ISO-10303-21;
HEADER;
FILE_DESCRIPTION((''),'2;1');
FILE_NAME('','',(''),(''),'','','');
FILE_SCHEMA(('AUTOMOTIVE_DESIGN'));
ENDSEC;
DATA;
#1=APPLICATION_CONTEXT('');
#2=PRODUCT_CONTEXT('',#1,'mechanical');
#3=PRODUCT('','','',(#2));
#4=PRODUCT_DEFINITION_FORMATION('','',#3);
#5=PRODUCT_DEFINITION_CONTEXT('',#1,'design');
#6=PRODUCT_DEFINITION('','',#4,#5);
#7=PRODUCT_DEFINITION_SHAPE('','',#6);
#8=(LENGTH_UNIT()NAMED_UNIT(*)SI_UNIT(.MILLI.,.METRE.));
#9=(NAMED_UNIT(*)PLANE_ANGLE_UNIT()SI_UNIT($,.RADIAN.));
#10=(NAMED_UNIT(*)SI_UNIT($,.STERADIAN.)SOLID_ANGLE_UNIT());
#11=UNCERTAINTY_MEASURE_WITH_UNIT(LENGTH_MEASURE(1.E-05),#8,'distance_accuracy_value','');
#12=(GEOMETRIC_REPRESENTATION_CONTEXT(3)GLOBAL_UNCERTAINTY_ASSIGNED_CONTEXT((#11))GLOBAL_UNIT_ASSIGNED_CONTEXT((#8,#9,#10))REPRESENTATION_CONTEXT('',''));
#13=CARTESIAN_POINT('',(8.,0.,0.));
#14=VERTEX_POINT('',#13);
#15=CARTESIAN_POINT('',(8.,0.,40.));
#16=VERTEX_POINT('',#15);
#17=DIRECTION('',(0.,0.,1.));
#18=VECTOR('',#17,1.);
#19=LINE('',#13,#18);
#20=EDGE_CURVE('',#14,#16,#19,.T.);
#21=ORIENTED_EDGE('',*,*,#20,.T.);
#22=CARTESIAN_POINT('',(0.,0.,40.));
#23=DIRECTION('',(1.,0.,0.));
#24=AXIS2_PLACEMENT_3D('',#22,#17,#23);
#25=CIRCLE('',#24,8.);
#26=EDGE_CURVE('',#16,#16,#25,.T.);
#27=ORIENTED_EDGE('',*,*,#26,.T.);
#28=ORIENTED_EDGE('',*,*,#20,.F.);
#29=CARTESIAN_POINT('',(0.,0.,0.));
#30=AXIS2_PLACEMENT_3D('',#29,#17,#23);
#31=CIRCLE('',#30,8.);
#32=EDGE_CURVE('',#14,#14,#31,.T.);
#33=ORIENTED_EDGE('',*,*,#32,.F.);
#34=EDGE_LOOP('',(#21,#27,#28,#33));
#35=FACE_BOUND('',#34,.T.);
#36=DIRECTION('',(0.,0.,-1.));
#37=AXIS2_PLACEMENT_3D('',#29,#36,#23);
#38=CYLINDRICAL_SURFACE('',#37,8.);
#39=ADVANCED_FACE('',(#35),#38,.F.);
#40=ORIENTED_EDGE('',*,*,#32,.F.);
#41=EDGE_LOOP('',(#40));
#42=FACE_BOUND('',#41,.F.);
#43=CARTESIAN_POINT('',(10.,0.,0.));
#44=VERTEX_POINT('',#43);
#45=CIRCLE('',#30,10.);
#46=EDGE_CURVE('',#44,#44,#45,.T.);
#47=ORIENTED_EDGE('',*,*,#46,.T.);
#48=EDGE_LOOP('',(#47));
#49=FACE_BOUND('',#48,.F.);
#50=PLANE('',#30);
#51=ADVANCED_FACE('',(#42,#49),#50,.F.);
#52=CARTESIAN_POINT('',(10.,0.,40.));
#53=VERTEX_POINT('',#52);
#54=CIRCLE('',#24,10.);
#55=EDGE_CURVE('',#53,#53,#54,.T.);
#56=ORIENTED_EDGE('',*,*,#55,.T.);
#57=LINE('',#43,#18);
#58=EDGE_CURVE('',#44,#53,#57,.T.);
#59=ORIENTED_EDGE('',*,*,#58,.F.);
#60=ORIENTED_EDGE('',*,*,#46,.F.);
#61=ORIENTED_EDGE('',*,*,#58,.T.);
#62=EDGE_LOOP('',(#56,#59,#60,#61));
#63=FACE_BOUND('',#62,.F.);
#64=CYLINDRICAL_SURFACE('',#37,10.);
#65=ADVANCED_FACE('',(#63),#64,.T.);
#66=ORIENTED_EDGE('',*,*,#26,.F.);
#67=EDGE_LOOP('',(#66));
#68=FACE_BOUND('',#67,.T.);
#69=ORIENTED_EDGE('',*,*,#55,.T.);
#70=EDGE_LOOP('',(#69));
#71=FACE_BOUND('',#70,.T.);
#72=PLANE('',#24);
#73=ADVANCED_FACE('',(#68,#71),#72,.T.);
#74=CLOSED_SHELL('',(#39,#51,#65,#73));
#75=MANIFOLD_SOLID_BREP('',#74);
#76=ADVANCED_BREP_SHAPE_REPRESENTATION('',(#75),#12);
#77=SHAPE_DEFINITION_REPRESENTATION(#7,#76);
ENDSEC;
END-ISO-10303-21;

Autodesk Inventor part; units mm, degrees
ref_plane "YZ Plane" through (0, 0, 0) normal (1, 0, 0) x (0, 1, 0)
ref_plane "XZ Plane" through (0, 0, 0) normal (0, 1, 0) x (-1, 0, 0)
ref_plane "XY Plane" through (0, 0, 0) normal (0, 0, 1) x (1, 0, 0)
sketch "Sketch1" plane through (0, 0, 0) normal (0, 0, 1) x (1, 0, 0)
  circle A0 centre (0, 0) radius 8
  circle A1 centre (0, 0) radius 10
  dimension "d0" = 16
  dimension "d1" = 20
extrude "Extrusion1" add sketch "Sketch1" along normal blind 40
properties part number "pipe-40_flex-clear" material "Polycarbonate, Clear"
